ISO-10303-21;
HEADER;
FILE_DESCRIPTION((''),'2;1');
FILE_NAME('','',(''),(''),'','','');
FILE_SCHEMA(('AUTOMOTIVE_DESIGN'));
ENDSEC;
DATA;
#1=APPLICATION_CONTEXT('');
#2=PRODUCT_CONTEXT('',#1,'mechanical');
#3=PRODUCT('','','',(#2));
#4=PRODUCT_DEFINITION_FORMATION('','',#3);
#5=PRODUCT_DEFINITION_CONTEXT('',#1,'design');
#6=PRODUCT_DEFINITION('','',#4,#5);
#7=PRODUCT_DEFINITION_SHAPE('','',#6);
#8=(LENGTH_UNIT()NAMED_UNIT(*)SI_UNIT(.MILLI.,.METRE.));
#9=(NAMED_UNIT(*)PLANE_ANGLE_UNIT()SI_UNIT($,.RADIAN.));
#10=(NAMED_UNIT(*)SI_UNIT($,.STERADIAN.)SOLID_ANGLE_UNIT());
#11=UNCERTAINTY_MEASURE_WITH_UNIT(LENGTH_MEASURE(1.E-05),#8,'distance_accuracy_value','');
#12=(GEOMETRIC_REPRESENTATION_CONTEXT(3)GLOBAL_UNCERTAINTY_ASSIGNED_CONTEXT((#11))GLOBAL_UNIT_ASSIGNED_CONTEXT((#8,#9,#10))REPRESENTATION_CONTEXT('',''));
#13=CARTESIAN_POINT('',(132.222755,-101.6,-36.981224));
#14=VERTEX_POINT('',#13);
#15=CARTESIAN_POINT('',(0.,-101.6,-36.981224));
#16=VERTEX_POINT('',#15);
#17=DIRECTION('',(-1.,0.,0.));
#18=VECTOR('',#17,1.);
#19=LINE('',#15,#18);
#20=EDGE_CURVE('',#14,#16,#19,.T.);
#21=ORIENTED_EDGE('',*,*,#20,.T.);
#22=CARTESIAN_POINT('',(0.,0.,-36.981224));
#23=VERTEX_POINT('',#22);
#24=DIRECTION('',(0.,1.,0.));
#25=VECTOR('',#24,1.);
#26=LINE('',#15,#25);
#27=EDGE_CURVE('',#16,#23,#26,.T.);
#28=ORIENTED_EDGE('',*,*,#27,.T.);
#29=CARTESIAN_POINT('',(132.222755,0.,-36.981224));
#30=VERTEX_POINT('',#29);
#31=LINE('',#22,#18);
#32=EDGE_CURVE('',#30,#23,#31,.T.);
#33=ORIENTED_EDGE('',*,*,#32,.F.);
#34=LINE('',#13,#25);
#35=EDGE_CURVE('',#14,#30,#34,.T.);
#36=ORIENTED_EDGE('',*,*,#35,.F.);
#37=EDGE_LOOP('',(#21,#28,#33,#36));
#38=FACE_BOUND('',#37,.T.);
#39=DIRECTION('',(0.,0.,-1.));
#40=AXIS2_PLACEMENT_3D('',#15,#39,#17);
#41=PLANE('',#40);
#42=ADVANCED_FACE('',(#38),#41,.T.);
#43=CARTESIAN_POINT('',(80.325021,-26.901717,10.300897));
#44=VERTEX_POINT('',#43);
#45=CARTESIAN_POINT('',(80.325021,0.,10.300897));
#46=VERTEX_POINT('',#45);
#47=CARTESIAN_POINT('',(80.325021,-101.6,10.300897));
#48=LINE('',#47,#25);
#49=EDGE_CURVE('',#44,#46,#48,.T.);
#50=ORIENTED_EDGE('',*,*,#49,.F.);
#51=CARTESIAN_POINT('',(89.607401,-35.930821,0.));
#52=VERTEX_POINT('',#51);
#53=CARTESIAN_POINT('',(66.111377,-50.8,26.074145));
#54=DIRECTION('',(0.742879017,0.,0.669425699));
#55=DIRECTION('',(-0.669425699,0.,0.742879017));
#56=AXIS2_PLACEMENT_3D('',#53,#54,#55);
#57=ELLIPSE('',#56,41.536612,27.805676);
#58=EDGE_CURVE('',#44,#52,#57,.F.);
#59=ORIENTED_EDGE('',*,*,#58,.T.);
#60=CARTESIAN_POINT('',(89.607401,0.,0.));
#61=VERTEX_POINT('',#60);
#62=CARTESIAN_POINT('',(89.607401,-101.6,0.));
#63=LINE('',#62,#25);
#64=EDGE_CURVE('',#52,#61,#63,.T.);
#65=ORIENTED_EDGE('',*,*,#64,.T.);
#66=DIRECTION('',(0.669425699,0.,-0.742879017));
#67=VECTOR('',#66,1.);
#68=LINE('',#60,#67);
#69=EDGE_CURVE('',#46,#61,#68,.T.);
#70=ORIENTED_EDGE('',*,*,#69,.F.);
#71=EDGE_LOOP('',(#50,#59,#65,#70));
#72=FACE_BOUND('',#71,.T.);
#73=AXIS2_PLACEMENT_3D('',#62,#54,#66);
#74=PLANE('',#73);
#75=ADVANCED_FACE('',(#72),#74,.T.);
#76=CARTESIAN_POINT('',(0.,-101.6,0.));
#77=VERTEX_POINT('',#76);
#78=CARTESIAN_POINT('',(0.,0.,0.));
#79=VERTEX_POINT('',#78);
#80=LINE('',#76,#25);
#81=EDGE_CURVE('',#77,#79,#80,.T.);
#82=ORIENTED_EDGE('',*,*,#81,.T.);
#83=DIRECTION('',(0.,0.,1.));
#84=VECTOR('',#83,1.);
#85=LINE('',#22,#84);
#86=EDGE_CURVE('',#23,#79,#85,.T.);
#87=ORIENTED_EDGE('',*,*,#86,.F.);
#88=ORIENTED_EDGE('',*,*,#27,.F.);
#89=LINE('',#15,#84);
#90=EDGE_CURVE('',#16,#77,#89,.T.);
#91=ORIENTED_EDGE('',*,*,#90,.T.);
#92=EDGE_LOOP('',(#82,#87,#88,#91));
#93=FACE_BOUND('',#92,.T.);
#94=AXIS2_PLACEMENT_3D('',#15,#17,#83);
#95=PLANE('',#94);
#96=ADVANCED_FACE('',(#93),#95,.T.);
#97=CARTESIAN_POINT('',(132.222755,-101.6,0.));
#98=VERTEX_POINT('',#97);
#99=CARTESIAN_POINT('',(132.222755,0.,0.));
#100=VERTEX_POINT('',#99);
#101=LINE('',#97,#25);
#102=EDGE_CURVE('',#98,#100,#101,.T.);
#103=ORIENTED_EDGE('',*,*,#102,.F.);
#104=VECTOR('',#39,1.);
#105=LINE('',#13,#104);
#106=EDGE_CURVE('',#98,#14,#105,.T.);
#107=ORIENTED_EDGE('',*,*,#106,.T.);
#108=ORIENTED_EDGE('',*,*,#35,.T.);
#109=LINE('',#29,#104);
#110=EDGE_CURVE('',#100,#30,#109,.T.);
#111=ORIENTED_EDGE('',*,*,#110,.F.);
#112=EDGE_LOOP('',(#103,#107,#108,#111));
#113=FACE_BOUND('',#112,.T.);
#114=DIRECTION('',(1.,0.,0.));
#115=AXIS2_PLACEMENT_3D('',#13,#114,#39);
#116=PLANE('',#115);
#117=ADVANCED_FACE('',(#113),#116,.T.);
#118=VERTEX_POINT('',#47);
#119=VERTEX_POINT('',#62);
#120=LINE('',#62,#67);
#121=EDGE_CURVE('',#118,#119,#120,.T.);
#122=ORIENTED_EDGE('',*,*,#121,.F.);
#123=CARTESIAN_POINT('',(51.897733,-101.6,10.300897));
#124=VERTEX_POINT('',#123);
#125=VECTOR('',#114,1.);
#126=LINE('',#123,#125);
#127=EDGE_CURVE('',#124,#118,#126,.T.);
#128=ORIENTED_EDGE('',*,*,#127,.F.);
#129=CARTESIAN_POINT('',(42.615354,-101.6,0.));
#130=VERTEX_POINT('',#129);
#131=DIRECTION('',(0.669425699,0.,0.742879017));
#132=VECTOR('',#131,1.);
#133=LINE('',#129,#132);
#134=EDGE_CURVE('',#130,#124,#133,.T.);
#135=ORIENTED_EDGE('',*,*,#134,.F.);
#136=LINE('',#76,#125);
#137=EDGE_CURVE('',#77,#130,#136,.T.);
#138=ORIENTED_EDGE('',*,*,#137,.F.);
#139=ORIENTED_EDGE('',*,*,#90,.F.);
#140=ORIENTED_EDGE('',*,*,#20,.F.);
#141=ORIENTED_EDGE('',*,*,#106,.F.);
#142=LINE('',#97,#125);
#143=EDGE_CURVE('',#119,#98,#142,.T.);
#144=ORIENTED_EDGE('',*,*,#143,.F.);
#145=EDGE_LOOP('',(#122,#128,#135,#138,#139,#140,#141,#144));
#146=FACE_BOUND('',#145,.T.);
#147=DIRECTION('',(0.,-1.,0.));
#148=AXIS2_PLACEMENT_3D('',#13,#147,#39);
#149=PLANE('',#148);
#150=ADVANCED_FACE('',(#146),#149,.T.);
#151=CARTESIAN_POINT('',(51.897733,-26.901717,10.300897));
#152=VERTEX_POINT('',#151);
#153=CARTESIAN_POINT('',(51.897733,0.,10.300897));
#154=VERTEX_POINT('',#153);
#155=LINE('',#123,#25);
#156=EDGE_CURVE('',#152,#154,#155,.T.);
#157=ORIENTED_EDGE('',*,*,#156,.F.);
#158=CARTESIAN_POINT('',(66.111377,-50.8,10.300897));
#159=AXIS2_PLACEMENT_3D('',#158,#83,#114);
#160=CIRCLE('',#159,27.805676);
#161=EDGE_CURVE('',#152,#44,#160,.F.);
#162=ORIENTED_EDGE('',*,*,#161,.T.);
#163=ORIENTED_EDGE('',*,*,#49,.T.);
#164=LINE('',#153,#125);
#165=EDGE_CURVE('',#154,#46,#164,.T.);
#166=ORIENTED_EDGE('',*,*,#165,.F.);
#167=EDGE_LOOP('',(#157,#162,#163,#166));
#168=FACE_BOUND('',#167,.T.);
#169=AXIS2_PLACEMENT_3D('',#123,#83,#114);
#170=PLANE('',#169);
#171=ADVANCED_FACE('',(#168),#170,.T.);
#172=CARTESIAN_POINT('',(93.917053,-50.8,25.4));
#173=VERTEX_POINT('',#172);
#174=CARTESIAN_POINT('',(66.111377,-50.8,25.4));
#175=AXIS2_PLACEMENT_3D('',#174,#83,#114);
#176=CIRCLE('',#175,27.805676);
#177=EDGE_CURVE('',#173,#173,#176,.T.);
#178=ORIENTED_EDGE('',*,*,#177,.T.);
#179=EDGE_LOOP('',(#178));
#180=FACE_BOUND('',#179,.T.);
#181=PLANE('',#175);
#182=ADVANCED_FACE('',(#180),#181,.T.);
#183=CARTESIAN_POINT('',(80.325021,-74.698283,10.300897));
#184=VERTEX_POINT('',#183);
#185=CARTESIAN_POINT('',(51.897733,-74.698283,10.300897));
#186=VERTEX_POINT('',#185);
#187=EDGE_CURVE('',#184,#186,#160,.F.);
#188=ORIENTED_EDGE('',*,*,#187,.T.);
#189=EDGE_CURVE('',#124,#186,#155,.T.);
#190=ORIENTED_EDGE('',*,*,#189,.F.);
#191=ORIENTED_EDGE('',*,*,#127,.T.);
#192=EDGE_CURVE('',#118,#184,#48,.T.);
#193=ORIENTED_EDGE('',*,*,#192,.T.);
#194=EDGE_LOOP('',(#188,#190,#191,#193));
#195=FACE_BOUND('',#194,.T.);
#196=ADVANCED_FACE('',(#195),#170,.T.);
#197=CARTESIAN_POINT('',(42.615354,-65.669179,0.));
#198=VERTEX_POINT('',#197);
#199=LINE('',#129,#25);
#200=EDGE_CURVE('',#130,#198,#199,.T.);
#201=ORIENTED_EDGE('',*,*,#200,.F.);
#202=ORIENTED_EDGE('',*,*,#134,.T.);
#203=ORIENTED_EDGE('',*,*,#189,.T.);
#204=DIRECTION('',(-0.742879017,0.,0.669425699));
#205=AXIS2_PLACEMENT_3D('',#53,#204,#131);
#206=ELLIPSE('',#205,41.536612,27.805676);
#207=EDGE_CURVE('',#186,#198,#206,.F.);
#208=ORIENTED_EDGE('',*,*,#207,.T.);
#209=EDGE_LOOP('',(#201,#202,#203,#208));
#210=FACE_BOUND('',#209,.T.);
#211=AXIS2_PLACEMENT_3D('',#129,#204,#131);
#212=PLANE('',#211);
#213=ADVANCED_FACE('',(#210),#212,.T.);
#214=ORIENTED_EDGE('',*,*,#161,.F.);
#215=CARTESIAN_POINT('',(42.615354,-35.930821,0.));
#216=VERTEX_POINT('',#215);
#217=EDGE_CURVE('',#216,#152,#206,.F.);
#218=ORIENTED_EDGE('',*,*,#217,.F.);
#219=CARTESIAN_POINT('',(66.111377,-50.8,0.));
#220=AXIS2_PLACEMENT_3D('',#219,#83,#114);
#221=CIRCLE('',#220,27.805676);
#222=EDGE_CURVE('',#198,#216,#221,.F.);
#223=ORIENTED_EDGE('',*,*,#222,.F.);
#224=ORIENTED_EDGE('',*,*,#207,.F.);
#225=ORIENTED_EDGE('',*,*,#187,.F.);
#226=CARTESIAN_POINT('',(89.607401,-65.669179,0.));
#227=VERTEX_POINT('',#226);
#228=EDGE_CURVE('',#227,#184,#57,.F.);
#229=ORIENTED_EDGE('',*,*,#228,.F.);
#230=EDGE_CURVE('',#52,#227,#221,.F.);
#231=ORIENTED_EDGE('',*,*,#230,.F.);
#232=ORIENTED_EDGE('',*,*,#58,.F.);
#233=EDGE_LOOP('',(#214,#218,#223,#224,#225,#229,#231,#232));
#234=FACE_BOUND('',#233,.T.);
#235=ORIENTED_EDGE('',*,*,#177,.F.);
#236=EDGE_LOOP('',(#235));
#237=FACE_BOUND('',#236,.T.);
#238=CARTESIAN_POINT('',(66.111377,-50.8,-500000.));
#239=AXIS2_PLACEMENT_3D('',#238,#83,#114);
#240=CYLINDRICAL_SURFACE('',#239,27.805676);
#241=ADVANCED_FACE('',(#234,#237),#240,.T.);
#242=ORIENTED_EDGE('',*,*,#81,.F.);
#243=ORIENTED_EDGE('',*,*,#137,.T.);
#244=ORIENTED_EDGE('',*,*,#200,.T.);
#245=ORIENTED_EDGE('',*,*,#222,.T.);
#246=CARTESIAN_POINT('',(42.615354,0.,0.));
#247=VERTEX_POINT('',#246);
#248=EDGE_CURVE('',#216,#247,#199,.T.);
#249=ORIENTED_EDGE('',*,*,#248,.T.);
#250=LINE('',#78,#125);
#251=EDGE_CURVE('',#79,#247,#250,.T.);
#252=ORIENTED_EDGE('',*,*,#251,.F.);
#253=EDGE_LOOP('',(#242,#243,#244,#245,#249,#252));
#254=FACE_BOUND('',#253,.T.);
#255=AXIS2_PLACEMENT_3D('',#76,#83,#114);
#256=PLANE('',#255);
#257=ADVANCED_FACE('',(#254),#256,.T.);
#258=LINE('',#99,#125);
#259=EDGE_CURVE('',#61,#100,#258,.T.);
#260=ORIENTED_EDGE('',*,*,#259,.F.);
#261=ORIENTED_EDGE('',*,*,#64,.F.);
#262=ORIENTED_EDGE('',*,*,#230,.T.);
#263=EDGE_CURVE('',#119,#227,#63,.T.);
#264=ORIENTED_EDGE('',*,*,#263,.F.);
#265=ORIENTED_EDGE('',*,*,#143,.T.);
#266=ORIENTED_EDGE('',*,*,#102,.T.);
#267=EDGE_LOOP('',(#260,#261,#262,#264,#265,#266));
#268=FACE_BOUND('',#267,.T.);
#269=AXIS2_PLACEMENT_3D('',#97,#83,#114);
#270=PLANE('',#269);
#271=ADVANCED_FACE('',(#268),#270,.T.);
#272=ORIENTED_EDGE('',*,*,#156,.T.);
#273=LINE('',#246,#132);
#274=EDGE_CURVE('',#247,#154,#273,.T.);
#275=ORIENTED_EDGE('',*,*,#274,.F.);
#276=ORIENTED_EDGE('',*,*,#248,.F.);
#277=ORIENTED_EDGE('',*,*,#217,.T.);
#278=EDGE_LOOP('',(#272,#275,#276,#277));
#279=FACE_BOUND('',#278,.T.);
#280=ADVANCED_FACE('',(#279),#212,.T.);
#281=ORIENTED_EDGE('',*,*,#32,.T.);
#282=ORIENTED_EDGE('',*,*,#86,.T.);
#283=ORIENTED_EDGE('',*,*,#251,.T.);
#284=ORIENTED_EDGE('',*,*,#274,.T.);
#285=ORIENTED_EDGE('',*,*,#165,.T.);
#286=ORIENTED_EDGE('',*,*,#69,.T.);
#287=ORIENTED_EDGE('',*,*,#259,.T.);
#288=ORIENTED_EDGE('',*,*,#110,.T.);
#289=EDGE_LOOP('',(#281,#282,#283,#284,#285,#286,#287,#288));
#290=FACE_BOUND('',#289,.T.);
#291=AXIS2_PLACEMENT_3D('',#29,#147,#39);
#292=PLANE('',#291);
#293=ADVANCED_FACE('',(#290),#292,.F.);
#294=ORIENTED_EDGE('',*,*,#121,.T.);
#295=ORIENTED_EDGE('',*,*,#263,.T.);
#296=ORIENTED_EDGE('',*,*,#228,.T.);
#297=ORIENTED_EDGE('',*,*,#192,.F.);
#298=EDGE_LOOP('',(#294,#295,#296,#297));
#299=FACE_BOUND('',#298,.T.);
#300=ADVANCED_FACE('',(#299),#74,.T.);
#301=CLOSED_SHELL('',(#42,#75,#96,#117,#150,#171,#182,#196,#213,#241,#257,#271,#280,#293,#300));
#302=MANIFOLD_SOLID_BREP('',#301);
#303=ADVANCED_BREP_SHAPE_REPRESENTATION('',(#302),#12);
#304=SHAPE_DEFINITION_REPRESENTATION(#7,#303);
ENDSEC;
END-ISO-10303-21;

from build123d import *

# Parameters (mm, degrees)
EXTRUDE1_DEPTH = 101.6
EXTRUDE2_REACH = 180.036
SKETCH2_R      = 27.805675623


with BuildPart() as part:
    # Sketch1 → Extrude1 (new body)
    with BuildSketch(Plane(origin=(0, 0, 0), x_dir=(1, 0, 0), z_dir=(0, 1, 0))):
        Polygon((0, 36.981224411), (0, 0), (42.615353822, 0), (51.897733448, -10.30089681), (80.325021053, -10.30089681), (89.607400679, 0), (132.222754501, 0), (132.222754501, 36.981224411), align=None)
    extrude(amount=-EXTRUDE1_DEPTH)

    # Sketch2 → Extrude2 (add, up to next)
    with BuildSketch(Plane.XY.offset(25.4), mode=Mode.PRIVATE) as extrude2_sk1:
        with Locations((66.111377251, -50.8)):
            Circle(SKETCH2_R)
    extrude2_tool1 = extrude(extrude2_sk1.sketch, amount=-EXTRUDE2_REACH, mode=Mode.PRIVATE) - part.part
    add(extrude2_tool1.solids().sort_by_distance((66.111377, -50.8, 25.4))[0])


solid = part.part
